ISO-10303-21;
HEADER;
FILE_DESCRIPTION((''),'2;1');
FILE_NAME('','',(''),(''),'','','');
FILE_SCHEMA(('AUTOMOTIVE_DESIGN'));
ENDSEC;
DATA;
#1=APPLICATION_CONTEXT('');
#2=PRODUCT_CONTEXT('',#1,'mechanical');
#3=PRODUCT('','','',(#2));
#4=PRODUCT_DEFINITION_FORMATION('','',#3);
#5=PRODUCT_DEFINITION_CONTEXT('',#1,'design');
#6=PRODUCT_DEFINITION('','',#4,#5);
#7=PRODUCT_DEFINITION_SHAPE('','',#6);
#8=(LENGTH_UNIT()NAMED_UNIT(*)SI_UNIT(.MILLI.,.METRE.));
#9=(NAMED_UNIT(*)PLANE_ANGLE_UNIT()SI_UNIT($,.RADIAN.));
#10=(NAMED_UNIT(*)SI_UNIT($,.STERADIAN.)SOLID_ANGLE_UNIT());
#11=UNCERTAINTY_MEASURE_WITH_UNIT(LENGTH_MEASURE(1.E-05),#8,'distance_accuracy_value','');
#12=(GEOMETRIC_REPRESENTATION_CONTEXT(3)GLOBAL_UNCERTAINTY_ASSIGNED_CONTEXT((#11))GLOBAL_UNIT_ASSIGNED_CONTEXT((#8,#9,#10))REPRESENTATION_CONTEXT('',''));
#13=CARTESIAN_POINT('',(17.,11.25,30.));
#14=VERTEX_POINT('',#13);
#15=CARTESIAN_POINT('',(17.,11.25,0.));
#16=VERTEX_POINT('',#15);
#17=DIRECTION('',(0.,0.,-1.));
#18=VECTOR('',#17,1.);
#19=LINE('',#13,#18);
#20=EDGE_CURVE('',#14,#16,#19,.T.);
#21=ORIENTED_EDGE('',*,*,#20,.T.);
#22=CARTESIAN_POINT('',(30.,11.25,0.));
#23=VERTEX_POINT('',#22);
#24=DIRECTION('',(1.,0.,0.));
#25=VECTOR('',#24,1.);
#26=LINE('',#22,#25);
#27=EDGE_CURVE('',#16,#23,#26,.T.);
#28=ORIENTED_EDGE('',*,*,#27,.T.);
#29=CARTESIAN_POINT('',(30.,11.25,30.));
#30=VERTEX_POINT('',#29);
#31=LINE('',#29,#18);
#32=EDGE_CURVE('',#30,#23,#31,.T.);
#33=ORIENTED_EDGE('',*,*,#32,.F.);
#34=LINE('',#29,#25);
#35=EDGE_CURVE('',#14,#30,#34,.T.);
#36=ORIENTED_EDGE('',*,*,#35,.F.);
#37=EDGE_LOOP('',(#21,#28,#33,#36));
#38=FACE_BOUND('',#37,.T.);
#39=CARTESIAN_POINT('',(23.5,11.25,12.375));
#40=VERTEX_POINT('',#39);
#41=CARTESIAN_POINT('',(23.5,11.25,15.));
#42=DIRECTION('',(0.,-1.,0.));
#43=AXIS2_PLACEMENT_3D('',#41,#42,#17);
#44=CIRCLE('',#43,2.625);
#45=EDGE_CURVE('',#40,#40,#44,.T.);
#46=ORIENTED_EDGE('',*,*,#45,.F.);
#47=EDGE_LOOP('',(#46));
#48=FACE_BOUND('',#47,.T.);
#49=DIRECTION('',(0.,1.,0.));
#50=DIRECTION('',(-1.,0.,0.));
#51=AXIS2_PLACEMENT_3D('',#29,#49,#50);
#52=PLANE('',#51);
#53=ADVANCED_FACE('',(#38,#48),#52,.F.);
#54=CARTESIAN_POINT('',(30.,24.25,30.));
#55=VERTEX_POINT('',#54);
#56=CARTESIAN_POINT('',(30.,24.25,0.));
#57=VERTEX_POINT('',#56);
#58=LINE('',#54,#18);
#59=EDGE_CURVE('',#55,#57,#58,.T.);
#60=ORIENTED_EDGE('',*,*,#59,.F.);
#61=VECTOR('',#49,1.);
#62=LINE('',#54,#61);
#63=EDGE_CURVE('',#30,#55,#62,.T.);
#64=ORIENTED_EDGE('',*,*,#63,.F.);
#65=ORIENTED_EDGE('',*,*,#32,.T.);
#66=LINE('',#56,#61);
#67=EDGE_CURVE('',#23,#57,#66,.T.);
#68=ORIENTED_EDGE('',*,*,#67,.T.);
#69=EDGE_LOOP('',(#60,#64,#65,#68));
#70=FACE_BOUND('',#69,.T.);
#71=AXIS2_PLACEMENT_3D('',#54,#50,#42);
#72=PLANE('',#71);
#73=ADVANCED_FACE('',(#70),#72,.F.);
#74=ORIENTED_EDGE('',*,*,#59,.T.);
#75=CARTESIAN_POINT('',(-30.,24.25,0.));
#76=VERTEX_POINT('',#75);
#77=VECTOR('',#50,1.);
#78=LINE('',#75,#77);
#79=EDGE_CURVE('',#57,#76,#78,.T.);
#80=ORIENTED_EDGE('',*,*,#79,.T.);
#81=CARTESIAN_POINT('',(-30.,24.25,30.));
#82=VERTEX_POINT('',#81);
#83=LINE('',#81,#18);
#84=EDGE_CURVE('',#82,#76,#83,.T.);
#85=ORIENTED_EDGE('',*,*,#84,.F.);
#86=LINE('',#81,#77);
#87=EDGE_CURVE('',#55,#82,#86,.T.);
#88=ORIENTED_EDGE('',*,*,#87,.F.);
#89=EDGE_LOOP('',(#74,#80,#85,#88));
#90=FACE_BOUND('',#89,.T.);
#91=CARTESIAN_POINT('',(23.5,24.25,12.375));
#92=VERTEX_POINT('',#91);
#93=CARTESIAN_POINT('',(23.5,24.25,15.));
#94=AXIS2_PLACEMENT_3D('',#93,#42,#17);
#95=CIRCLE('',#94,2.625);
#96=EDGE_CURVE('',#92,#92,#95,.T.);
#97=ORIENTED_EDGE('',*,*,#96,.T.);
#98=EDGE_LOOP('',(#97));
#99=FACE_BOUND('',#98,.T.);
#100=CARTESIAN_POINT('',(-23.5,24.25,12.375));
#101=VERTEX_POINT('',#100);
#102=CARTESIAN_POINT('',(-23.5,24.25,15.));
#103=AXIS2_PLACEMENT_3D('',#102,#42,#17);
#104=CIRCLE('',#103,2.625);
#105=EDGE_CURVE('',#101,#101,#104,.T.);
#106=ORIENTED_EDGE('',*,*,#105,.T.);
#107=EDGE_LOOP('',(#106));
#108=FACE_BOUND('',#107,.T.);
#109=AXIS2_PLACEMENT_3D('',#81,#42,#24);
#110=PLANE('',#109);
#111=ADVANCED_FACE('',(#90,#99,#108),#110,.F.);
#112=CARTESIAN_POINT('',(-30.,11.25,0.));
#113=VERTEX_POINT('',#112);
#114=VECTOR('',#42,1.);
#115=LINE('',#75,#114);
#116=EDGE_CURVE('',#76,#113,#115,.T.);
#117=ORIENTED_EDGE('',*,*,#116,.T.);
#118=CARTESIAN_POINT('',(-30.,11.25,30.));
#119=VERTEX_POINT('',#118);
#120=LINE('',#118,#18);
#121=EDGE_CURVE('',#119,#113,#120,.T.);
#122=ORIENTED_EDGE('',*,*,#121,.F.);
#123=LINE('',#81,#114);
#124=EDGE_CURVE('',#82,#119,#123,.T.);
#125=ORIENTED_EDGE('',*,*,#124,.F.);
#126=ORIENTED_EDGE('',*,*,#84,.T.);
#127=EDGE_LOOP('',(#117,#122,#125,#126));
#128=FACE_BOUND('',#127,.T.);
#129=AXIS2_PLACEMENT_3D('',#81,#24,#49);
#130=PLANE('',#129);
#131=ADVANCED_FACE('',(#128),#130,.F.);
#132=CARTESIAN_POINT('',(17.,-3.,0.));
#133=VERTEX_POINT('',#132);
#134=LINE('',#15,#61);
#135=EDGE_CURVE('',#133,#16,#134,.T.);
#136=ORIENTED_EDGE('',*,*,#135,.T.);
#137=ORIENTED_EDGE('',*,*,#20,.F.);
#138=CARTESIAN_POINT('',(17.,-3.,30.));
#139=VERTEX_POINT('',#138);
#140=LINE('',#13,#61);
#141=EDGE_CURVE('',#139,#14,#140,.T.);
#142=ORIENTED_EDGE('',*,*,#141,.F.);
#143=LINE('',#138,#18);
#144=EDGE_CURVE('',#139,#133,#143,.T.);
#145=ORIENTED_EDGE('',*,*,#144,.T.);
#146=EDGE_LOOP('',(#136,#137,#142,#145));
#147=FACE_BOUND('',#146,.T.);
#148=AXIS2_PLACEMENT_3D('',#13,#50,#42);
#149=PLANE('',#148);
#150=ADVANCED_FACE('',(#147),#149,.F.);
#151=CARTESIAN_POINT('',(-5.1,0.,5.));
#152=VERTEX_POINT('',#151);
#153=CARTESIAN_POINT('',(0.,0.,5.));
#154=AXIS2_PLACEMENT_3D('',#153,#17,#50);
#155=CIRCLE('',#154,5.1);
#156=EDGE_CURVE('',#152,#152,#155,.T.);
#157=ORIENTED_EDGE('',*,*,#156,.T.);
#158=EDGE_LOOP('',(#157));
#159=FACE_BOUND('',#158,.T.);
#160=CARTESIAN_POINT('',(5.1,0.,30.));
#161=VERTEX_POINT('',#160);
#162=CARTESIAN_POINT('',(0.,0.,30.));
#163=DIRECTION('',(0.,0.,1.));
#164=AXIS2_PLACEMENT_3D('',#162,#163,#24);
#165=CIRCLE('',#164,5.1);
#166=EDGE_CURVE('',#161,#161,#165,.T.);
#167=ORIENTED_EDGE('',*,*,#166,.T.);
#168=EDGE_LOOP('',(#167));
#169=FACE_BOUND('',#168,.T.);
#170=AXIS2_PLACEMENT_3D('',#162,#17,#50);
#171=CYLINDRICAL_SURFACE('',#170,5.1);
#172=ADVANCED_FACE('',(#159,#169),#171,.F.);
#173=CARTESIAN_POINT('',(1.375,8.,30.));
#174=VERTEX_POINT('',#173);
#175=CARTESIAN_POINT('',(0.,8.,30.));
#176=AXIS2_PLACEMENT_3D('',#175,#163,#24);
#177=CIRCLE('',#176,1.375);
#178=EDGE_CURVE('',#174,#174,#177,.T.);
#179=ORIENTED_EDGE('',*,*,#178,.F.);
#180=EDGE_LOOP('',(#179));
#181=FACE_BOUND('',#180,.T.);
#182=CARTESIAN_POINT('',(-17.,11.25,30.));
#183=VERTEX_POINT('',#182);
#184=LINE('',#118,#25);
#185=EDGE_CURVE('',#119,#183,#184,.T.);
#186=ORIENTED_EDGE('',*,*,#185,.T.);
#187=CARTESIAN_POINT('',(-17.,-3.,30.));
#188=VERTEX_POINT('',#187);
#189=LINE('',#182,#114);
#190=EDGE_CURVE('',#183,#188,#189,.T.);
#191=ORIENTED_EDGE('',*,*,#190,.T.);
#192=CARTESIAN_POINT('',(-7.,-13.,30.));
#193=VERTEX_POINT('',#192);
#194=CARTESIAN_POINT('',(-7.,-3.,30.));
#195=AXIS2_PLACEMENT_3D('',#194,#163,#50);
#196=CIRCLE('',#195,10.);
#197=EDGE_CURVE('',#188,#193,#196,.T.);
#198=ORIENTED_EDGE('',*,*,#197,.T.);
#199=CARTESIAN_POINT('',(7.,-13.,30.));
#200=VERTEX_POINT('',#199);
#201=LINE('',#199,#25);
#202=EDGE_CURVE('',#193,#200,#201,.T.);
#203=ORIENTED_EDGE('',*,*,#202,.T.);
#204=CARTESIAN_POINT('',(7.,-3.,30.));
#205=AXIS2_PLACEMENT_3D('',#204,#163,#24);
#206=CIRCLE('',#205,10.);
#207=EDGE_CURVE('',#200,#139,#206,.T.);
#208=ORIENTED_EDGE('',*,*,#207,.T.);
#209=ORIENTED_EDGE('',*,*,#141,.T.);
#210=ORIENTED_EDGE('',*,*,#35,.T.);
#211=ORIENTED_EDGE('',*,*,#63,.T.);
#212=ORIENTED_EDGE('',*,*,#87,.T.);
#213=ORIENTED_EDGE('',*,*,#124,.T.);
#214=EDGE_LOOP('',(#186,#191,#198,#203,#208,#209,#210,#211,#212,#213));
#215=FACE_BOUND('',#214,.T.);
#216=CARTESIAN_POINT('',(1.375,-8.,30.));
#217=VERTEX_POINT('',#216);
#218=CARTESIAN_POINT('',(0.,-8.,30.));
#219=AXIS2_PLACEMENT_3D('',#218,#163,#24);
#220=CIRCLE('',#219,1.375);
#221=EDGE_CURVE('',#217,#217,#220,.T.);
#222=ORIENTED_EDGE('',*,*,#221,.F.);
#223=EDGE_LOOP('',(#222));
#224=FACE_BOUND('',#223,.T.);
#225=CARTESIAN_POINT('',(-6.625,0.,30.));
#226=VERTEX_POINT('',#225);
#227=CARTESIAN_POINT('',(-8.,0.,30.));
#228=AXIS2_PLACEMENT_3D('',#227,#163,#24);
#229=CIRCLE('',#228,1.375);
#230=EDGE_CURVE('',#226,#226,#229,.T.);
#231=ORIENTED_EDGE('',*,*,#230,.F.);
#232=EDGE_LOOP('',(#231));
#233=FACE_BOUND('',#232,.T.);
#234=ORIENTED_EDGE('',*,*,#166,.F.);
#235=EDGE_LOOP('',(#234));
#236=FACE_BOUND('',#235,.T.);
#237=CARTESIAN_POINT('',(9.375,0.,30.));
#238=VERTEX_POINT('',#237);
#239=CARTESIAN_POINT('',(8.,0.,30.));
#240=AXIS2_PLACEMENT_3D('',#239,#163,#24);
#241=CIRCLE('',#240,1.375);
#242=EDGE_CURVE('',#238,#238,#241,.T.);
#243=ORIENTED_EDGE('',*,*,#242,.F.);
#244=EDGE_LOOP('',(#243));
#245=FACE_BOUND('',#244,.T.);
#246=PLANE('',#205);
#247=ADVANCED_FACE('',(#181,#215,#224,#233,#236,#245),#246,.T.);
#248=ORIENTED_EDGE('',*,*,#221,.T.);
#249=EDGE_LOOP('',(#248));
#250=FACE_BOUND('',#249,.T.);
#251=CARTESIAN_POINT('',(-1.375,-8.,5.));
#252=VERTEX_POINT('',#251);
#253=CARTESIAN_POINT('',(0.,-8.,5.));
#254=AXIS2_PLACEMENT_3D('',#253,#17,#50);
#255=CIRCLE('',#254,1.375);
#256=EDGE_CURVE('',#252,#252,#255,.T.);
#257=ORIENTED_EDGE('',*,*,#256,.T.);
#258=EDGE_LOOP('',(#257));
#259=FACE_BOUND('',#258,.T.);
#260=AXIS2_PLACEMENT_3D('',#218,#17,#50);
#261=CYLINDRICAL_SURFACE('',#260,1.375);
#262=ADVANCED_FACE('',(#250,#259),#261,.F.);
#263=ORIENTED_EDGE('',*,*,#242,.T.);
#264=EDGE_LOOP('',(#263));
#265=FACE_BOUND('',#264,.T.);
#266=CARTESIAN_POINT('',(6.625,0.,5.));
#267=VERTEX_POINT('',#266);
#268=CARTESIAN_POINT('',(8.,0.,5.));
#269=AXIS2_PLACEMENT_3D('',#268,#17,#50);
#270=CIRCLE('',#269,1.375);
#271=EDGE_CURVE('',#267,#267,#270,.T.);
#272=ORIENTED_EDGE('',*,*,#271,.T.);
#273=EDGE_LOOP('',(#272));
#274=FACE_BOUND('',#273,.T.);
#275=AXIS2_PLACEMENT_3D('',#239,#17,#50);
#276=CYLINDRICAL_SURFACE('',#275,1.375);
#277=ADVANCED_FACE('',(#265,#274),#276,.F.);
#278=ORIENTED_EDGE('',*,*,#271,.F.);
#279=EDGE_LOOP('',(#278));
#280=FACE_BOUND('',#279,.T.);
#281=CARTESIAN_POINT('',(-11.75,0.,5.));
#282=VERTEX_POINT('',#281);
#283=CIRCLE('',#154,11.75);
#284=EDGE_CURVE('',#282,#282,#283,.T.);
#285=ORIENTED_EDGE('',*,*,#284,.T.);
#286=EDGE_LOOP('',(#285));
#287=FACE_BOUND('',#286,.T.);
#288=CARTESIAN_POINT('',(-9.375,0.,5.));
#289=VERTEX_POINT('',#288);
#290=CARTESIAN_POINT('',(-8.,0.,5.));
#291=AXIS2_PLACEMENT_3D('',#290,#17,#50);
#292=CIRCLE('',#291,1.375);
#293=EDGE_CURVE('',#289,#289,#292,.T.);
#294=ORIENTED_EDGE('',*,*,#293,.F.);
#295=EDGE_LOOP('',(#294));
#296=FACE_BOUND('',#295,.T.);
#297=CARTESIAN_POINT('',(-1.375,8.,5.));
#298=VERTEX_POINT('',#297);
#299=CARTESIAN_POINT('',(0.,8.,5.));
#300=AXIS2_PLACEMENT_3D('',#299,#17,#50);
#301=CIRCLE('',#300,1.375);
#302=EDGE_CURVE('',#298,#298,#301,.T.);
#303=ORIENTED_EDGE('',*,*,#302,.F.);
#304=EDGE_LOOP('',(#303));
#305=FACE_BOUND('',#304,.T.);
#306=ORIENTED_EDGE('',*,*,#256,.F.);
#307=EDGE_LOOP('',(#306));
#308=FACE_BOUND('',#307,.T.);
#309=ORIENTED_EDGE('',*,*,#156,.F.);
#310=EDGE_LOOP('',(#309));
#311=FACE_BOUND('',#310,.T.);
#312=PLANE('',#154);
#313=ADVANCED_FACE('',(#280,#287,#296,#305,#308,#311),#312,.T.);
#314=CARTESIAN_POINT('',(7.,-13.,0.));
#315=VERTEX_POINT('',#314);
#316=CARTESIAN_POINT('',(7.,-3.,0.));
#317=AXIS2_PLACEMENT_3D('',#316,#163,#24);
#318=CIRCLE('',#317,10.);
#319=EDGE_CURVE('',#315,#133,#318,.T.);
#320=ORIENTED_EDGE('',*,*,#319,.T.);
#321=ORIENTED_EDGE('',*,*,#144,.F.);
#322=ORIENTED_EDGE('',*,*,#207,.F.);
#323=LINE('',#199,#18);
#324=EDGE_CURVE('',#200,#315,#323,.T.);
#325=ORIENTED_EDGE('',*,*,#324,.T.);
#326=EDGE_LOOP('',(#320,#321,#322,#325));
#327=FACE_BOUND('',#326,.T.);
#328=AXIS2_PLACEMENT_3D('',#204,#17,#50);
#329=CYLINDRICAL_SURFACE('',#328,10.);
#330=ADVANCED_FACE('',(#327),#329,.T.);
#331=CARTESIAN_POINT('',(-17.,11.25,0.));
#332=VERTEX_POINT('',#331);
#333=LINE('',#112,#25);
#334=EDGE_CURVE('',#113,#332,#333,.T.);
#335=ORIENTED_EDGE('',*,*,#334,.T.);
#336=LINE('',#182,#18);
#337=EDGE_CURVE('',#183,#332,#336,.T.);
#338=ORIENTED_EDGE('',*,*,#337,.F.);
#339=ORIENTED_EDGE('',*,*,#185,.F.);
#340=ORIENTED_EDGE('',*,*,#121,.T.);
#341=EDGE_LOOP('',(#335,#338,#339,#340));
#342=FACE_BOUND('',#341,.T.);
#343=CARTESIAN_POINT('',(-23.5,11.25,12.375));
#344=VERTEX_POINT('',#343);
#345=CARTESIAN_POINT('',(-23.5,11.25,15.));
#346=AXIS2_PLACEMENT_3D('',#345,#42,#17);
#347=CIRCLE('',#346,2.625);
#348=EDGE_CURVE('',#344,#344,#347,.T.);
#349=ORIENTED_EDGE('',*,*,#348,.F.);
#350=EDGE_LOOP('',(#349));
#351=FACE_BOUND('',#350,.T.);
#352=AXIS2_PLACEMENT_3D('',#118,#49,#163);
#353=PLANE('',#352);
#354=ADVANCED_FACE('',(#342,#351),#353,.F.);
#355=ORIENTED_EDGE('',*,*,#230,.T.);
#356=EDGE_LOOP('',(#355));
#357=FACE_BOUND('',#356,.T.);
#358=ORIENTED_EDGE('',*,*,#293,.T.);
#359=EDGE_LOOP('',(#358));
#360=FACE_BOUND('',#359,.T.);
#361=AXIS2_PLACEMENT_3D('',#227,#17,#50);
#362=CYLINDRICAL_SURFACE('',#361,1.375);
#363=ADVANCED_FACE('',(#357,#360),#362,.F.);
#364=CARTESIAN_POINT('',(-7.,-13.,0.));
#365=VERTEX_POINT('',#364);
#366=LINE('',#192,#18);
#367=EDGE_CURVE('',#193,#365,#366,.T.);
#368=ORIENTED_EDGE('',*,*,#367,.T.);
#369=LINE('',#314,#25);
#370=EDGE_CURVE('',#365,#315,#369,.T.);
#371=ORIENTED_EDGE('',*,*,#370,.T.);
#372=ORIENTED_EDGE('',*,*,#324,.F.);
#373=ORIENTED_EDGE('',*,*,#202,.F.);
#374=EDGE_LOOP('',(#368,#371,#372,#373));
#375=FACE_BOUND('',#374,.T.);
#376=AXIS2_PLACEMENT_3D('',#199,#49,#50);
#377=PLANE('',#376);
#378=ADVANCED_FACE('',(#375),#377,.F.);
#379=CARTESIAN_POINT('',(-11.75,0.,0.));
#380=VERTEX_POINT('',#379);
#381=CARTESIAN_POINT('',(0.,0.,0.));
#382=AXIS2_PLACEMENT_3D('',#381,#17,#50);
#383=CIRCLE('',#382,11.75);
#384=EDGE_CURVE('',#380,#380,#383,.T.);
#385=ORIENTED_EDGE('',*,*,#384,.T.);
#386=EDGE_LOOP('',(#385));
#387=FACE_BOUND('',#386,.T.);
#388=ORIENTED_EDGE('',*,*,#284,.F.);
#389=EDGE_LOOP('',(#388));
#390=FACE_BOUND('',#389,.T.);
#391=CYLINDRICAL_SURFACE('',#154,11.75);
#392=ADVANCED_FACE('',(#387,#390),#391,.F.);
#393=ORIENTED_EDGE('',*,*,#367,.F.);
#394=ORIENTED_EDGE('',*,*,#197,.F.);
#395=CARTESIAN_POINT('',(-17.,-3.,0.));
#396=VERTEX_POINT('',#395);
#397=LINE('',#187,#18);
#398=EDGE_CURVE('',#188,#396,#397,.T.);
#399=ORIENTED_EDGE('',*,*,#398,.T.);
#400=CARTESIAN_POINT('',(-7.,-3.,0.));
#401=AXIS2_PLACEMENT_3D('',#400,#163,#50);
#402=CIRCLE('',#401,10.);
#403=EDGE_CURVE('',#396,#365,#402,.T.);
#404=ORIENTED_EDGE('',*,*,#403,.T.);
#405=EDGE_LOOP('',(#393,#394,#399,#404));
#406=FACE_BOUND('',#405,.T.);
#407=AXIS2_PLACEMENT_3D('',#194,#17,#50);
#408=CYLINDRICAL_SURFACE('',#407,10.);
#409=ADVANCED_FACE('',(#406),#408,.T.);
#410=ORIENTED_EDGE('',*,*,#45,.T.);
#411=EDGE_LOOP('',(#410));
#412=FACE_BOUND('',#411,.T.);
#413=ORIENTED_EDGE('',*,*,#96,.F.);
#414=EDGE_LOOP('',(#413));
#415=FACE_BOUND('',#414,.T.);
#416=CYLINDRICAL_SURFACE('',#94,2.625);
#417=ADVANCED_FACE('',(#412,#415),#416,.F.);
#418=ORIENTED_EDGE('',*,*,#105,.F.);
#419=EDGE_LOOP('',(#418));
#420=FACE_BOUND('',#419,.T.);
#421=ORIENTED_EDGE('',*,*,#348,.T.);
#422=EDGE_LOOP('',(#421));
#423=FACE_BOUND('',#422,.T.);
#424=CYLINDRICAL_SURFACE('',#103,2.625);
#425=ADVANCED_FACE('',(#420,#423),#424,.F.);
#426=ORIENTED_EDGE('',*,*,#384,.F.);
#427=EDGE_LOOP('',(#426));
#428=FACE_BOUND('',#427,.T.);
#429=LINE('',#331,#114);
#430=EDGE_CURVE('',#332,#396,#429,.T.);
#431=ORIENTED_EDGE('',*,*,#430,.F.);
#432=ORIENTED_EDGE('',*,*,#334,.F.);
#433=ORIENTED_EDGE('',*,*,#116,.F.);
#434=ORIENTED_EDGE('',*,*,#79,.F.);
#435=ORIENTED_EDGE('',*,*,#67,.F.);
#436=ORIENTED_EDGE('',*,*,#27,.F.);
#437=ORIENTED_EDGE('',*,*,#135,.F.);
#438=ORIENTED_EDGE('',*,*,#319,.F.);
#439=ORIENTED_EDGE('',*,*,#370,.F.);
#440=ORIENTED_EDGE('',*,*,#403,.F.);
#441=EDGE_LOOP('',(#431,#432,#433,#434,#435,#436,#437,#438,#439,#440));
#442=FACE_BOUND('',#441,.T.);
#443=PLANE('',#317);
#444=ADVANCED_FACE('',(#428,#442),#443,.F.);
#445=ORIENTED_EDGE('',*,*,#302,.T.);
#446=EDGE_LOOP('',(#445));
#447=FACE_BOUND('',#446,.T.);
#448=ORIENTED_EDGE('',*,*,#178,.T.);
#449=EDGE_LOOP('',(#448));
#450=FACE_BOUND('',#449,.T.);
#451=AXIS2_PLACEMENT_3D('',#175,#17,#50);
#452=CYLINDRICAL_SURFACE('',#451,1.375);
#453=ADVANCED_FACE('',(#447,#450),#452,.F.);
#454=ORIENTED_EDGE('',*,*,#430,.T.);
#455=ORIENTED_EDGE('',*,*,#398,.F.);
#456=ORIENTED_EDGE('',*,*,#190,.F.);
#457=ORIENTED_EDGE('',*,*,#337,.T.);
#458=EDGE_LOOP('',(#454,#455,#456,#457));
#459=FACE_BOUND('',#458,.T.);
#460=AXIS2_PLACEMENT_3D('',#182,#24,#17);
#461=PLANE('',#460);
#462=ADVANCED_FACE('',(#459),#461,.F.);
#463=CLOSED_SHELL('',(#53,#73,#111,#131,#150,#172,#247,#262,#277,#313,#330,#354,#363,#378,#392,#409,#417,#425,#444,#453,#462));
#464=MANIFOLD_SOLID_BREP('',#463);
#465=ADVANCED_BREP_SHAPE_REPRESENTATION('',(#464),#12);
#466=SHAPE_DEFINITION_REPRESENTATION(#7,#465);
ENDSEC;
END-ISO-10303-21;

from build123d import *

# Parameters (mm, degrees)
CROQUIS1_R              = 5.1
CROQUIS1_R_2            = 1.375
SALIENTE_EXTRUIR1_DEPTH = 30
CROQUIS2_R              = 11.75
CORTAR_EXTRUIR1_DEPTH   = 5
CROQUIS3_R              = 2.625
CORTAR_EXTRUIR2_DEPTH   = 49.867806376


with BuildPart() as part:
    # Croquis1 → Saliente-Extruir1 (new body)
    with BuildSketch(Plane.XY):
        with BuildLine():
            Line((-30, 24.25), (30, 24.25))
            Line((30, 24.25), (30, 11.25))
            Line((30, 11.25), (17, 11.25))
            Line((17, 11.25), (17, -3))
            ThreePointArc((17, -3), (14.071067812, -10.071067812), (7, -13))
            Line((7, -13), (-7, -13))
            ThreePointArc((-7, -13), (-14.071067812, -10.071067812), (-17, -3))
            Line((-17, -3), (-17, 11.25))
            Line((-17, 11.25), (-30, 11.25))
            Line((-30, 11.25), (-30, 24.25))
        make_face()
        Circle(CROQUIS1_R, mode=Mode.SUBTRACT)
        with Locations((0, 8)):
            Circle(CROQUIS1_R_2, mode=Mode.SUBTRACT)
        with Locations((8, 0)):
            Circle(CROQUIS1_R_2, mode=Mode.SUBTRACT)
        with Locations((0, -8)):
            Circle(CROQUIS1_R_2, mode=Mode.SUBTRACT)
        with Locations((-8, 0)):
            Circle(CROQUIS1_R_2, mode=Mode.SUBTRACT)
    extrude(amount=SALIENTE_EXTRUIR1_DEPTH)

    # Croquis2 → Cortar-Extruir1 (cut)
    with BuildSketch(Plane(origin=(0, 0, 0), x_dir=(-1, 0, 0), z_dir=(0, 0, -1))):
        Circle(CROQUIS2_R)
    extrude(amount=-CORTAR_EXTRUIR1_DEPTH, mode=Mode.SUBTRACT)

    # Croquis3 → Cortar-Extruir2 (cut, through all)
    with BuildSketch(Plane.XZ.offset(-11.25)):
        with Locations(Location((-23.5, 15, 0), (0, 0, 270))):
            Circle(CROQUIS3_R)
        with Locations(Location((23.5, 15, 0), (0, 0, 270))):
            Circle(CROQUIS3_R)
    extrude(amount=-CORTAR_EXTRUIR2_DEPTH, mode=Mode.SUBTRACT)


solid = part.part
